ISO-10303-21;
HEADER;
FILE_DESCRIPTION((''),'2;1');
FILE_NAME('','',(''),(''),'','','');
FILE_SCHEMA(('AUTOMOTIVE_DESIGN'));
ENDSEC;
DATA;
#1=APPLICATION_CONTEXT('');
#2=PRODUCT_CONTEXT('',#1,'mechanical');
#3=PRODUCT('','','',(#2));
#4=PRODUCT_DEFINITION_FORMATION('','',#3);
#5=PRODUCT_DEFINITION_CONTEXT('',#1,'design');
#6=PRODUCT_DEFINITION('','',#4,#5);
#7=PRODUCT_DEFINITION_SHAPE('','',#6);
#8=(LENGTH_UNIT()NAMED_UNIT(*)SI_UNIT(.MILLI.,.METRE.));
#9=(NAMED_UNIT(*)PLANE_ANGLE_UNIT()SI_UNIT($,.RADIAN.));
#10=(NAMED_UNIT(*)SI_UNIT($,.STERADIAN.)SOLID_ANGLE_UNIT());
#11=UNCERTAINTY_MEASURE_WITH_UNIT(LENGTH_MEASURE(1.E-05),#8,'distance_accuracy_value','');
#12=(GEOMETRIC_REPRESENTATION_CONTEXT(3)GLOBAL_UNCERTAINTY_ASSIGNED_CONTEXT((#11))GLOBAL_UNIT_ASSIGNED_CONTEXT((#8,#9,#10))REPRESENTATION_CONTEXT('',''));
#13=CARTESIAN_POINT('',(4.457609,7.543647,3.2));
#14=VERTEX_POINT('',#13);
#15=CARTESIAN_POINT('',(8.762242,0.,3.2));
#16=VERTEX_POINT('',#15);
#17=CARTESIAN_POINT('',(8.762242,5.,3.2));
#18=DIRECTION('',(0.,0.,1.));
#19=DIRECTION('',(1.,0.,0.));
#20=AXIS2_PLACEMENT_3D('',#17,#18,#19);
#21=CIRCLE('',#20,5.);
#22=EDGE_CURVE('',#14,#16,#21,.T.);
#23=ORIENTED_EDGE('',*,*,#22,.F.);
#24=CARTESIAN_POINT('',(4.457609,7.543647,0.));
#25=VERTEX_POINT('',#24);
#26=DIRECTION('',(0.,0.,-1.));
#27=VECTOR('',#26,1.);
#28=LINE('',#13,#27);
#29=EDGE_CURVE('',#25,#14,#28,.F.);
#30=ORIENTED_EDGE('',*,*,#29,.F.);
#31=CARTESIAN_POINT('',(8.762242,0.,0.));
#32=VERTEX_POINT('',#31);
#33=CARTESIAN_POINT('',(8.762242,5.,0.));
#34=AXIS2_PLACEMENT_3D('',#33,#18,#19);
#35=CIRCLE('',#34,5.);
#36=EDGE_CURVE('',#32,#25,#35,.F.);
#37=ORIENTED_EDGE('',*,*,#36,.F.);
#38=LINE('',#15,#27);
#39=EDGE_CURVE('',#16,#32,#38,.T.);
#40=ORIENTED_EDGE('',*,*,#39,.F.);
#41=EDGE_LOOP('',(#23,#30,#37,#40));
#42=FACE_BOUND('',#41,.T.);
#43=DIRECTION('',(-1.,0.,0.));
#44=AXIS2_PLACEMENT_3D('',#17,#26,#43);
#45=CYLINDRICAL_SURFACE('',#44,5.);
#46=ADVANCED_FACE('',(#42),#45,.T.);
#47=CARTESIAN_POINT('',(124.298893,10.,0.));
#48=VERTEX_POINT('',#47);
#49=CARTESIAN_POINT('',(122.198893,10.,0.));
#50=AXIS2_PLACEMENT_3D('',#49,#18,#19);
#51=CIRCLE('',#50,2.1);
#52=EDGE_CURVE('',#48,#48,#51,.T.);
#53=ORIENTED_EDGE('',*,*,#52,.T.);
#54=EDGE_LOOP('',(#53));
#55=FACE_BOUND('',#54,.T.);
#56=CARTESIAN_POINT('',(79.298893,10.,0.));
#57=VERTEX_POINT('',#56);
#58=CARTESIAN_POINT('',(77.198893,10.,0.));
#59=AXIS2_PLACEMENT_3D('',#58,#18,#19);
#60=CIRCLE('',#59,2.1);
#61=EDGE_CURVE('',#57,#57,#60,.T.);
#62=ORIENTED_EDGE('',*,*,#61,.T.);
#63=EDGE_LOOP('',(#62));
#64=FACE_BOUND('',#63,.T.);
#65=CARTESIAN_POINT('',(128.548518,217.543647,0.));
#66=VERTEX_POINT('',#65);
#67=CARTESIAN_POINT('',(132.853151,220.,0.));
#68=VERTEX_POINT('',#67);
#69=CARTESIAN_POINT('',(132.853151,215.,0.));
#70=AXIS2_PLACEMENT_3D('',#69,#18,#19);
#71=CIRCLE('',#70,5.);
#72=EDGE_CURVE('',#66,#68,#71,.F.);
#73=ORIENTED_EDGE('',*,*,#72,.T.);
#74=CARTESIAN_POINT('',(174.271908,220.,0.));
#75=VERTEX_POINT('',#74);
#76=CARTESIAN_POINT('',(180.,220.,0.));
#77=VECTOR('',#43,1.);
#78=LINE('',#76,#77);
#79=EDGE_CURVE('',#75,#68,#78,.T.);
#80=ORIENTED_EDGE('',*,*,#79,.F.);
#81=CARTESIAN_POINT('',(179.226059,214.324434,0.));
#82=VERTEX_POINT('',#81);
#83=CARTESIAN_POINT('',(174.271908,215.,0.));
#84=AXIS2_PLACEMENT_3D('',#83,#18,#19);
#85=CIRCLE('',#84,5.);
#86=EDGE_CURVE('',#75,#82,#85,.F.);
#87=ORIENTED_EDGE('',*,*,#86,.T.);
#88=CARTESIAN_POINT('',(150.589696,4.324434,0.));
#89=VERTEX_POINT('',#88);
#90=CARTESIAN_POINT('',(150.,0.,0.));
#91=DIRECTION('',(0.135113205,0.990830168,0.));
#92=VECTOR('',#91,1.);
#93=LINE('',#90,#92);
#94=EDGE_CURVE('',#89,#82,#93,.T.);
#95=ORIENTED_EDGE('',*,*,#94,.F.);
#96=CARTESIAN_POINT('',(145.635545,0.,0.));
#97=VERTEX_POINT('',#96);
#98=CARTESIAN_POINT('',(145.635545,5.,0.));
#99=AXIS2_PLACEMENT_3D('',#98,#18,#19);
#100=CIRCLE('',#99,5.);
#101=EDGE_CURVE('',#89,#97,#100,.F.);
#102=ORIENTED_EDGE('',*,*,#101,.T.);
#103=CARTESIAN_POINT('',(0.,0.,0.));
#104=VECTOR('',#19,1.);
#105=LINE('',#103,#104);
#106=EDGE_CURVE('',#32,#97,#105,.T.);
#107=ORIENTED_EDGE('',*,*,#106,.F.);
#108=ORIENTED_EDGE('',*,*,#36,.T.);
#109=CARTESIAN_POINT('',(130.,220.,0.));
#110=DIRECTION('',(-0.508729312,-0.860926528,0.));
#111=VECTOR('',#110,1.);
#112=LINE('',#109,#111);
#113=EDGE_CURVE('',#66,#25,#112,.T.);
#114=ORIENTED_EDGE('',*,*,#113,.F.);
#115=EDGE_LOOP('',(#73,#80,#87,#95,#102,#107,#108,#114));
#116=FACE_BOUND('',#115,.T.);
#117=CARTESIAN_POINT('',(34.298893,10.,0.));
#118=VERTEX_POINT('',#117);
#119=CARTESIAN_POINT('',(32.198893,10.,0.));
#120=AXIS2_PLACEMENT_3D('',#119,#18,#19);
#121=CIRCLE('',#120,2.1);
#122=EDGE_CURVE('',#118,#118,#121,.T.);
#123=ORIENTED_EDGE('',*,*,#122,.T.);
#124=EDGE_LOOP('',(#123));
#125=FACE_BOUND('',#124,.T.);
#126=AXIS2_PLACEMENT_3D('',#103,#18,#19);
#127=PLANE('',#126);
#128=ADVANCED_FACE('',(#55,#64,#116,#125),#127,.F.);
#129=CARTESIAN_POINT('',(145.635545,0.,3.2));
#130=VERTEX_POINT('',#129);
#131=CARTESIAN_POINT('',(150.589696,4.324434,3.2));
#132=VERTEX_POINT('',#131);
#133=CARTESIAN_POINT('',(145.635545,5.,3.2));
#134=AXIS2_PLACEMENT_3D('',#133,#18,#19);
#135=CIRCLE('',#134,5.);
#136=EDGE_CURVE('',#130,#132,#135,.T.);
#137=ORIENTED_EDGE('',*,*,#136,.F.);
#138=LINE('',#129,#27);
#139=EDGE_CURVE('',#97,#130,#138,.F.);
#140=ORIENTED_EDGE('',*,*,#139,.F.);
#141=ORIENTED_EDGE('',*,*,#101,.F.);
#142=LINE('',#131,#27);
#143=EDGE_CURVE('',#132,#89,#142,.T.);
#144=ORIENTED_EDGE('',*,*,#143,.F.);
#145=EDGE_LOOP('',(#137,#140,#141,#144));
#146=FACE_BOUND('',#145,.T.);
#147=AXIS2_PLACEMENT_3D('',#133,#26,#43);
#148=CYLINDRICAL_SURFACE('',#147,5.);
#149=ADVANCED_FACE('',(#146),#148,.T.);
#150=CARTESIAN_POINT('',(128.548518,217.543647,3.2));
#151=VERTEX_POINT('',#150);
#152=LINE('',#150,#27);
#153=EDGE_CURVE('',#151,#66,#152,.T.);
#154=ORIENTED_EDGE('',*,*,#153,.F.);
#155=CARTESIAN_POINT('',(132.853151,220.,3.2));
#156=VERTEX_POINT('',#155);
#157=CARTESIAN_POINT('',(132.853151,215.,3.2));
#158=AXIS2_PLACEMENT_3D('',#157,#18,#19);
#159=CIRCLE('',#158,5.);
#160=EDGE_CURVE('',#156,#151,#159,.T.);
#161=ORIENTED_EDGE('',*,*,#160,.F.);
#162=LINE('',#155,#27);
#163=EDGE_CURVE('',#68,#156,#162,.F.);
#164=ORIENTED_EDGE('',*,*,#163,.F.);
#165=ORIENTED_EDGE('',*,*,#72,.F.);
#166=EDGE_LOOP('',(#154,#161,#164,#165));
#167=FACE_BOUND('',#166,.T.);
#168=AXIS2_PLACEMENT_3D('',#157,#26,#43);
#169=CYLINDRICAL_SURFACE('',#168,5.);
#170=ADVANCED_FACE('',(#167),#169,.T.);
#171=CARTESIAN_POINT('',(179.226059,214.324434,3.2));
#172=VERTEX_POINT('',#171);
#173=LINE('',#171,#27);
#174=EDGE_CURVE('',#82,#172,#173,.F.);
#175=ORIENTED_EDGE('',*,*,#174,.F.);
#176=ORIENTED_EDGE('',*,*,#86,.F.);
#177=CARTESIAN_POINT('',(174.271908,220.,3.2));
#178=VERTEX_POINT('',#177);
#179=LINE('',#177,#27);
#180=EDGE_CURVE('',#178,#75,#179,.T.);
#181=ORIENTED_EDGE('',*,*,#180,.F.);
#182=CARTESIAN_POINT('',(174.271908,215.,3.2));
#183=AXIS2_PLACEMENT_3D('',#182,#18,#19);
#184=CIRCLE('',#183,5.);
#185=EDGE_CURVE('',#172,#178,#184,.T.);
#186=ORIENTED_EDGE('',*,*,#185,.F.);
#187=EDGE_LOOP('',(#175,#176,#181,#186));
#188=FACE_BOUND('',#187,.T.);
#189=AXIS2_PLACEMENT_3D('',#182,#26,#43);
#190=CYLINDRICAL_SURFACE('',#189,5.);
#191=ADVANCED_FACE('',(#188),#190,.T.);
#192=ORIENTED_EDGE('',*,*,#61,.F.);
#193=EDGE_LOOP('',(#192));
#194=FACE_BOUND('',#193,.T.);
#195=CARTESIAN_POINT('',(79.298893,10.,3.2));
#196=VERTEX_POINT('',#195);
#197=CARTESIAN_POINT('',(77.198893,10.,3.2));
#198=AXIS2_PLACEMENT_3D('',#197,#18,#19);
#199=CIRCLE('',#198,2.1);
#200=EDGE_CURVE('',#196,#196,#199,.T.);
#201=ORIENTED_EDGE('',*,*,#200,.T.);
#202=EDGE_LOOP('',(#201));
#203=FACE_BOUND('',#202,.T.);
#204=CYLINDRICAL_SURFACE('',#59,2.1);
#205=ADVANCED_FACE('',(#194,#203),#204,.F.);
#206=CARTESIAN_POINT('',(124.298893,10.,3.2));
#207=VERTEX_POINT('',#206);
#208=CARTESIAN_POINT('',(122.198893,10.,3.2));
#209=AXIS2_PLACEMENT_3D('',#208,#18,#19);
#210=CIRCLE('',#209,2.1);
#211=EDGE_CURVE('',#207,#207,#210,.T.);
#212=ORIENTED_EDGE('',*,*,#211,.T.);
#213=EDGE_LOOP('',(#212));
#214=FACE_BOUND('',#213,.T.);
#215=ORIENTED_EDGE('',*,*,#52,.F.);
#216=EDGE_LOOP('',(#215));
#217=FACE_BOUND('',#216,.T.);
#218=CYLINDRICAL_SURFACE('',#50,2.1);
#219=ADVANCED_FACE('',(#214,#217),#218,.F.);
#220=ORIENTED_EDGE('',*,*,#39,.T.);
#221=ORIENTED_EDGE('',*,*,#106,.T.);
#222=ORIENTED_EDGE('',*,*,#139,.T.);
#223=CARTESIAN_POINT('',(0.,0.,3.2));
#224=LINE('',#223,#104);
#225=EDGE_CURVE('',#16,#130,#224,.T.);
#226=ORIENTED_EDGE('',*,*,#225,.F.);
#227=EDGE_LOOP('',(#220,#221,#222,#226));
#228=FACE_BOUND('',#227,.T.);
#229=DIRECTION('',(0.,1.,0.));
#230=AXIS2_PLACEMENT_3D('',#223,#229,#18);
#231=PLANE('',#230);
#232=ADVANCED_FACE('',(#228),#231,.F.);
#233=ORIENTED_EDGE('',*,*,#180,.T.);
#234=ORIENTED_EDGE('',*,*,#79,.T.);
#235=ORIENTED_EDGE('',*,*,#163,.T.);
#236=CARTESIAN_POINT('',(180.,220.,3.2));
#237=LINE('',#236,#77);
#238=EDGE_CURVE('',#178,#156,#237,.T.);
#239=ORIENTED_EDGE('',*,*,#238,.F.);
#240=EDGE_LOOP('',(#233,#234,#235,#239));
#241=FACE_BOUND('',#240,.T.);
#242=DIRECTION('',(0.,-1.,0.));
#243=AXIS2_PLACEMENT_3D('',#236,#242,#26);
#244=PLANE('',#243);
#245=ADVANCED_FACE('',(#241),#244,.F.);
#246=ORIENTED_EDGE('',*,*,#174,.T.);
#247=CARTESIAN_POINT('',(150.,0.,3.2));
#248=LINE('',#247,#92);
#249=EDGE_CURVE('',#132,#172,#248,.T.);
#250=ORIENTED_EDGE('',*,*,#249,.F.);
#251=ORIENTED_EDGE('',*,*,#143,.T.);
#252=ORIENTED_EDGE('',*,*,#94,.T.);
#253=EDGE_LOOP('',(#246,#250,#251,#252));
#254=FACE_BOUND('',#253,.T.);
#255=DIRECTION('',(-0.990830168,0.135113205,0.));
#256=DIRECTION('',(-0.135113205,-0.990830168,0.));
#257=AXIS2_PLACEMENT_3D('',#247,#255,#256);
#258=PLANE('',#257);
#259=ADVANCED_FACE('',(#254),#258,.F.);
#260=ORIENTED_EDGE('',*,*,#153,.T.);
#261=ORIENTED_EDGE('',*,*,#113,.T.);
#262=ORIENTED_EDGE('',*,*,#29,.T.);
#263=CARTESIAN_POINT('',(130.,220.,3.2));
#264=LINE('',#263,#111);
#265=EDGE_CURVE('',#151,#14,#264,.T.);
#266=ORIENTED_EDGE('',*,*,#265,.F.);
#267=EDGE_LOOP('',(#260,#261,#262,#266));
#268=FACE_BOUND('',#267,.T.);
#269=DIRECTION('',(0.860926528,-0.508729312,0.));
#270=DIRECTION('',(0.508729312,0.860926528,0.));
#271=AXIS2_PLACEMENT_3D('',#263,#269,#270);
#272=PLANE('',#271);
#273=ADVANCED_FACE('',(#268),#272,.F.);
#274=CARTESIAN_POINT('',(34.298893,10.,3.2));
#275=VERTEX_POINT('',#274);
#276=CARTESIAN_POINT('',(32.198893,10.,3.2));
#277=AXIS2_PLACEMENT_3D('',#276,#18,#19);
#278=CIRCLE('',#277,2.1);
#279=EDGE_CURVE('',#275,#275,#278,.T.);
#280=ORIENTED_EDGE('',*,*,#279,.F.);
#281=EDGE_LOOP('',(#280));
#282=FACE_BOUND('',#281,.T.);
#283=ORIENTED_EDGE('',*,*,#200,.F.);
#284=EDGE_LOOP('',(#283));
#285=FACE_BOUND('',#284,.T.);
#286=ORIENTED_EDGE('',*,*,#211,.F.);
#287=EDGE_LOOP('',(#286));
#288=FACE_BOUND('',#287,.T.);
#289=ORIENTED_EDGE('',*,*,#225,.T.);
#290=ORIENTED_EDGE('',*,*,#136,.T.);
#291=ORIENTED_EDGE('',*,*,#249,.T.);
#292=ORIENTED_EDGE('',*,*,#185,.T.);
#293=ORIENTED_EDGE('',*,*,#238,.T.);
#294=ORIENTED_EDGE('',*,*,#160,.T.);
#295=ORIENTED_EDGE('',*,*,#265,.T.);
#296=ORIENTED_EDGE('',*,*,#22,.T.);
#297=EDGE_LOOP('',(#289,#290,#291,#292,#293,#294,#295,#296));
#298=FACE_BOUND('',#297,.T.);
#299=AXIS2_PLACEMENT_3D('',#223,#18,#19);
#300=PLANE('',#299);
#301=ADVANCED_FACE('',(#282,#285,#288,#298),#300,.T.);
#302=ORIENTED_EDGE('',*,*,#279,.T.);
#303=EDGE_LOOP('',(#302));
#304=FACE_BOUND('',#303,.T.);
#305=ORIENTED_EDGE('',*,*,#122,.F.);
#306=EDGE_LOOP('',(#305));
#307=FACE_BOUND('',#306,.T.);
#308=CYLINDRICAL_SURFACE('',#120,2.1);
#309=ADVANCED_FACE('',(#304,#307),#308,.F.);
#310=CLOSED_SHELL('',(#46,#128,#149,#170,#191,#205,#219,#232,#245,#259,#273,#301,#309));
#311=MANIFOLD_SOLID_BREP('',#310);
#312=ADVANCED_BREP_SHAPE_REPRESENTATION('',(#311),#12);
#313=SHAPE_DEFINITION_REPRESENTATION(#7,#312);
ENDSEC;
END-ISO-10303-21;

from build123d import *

# Parameters (mm, degrees)
EXTRUDE_1_DEPTH            = 3.2
FILLET_1_R                 = 5
SKETCH_2_R                 = 2.1
CUT_EXTRUDE_1_DEPTH        = 3.2
PATTERN_LINEAR_1_COUNT     = 2
PATTERN_LINEAR_1_PITCH     = 45
PATTERN_LINEAR_1_COL_COUNT = 2
PATTERN_LINEAR_1_COL_PITCH = 45


with BuildPart() as part:
    # Эскиз1 → Бобышка-Вытянуть1 (new body)
    with BuildSketch(Plane.XY):
        Polygon((0, 0), (150, 0), (180, 220), (130, 220), align=None)
    extrude(amount=EXTRUDE_1_DEPTH)

    # Скругление1
    fillet_1_edges = [part.edges().sort_by_distance(p)[0] for p in [
        (130, 220, 1.6),
        (180, 220, 1.6),
        (150, 0, 1.6),
        (0, 0, 1.6),
    ]]
    fillet(fillet_1_edges, radius=FILLET_1_R)

    # Эскиз2 → Вырез-Вытянуть1 (cut)
    with BuildSketch(Plane.XY.offset(3.2)):
        with Locations((77.198893337, 10)):
            Circle(SKETCH_2_R)
    cut_extrude_1 = extrude(amount=-CUT_EXTRUDE_1_DEPTH, mode=Mode.SUBTRACT)

    # Линейный массив1: Вырез-Вытянуть1 ×2
    with Locations(*[(i * PATTERN_LINEAR_1_PITCH, 0, 0) for i in range(1, PATTERN_LINEAR_1_COUNT)]):
        add(cut_extrude_1, mode=Mode.SUBTRACT)

    # Линейный массив1 col: Вырез-Вытянуть1 ×2
    with Locations(*[(-i * PATTERN_LINEAR_1_COL_PITCH, 0, 0) for i in range(1, PATTERN_LINEAR_1_COL_COUNT)]):
        add(cut_extrude_1, mode=Mode.SUBTRACT)


solid = part.part
